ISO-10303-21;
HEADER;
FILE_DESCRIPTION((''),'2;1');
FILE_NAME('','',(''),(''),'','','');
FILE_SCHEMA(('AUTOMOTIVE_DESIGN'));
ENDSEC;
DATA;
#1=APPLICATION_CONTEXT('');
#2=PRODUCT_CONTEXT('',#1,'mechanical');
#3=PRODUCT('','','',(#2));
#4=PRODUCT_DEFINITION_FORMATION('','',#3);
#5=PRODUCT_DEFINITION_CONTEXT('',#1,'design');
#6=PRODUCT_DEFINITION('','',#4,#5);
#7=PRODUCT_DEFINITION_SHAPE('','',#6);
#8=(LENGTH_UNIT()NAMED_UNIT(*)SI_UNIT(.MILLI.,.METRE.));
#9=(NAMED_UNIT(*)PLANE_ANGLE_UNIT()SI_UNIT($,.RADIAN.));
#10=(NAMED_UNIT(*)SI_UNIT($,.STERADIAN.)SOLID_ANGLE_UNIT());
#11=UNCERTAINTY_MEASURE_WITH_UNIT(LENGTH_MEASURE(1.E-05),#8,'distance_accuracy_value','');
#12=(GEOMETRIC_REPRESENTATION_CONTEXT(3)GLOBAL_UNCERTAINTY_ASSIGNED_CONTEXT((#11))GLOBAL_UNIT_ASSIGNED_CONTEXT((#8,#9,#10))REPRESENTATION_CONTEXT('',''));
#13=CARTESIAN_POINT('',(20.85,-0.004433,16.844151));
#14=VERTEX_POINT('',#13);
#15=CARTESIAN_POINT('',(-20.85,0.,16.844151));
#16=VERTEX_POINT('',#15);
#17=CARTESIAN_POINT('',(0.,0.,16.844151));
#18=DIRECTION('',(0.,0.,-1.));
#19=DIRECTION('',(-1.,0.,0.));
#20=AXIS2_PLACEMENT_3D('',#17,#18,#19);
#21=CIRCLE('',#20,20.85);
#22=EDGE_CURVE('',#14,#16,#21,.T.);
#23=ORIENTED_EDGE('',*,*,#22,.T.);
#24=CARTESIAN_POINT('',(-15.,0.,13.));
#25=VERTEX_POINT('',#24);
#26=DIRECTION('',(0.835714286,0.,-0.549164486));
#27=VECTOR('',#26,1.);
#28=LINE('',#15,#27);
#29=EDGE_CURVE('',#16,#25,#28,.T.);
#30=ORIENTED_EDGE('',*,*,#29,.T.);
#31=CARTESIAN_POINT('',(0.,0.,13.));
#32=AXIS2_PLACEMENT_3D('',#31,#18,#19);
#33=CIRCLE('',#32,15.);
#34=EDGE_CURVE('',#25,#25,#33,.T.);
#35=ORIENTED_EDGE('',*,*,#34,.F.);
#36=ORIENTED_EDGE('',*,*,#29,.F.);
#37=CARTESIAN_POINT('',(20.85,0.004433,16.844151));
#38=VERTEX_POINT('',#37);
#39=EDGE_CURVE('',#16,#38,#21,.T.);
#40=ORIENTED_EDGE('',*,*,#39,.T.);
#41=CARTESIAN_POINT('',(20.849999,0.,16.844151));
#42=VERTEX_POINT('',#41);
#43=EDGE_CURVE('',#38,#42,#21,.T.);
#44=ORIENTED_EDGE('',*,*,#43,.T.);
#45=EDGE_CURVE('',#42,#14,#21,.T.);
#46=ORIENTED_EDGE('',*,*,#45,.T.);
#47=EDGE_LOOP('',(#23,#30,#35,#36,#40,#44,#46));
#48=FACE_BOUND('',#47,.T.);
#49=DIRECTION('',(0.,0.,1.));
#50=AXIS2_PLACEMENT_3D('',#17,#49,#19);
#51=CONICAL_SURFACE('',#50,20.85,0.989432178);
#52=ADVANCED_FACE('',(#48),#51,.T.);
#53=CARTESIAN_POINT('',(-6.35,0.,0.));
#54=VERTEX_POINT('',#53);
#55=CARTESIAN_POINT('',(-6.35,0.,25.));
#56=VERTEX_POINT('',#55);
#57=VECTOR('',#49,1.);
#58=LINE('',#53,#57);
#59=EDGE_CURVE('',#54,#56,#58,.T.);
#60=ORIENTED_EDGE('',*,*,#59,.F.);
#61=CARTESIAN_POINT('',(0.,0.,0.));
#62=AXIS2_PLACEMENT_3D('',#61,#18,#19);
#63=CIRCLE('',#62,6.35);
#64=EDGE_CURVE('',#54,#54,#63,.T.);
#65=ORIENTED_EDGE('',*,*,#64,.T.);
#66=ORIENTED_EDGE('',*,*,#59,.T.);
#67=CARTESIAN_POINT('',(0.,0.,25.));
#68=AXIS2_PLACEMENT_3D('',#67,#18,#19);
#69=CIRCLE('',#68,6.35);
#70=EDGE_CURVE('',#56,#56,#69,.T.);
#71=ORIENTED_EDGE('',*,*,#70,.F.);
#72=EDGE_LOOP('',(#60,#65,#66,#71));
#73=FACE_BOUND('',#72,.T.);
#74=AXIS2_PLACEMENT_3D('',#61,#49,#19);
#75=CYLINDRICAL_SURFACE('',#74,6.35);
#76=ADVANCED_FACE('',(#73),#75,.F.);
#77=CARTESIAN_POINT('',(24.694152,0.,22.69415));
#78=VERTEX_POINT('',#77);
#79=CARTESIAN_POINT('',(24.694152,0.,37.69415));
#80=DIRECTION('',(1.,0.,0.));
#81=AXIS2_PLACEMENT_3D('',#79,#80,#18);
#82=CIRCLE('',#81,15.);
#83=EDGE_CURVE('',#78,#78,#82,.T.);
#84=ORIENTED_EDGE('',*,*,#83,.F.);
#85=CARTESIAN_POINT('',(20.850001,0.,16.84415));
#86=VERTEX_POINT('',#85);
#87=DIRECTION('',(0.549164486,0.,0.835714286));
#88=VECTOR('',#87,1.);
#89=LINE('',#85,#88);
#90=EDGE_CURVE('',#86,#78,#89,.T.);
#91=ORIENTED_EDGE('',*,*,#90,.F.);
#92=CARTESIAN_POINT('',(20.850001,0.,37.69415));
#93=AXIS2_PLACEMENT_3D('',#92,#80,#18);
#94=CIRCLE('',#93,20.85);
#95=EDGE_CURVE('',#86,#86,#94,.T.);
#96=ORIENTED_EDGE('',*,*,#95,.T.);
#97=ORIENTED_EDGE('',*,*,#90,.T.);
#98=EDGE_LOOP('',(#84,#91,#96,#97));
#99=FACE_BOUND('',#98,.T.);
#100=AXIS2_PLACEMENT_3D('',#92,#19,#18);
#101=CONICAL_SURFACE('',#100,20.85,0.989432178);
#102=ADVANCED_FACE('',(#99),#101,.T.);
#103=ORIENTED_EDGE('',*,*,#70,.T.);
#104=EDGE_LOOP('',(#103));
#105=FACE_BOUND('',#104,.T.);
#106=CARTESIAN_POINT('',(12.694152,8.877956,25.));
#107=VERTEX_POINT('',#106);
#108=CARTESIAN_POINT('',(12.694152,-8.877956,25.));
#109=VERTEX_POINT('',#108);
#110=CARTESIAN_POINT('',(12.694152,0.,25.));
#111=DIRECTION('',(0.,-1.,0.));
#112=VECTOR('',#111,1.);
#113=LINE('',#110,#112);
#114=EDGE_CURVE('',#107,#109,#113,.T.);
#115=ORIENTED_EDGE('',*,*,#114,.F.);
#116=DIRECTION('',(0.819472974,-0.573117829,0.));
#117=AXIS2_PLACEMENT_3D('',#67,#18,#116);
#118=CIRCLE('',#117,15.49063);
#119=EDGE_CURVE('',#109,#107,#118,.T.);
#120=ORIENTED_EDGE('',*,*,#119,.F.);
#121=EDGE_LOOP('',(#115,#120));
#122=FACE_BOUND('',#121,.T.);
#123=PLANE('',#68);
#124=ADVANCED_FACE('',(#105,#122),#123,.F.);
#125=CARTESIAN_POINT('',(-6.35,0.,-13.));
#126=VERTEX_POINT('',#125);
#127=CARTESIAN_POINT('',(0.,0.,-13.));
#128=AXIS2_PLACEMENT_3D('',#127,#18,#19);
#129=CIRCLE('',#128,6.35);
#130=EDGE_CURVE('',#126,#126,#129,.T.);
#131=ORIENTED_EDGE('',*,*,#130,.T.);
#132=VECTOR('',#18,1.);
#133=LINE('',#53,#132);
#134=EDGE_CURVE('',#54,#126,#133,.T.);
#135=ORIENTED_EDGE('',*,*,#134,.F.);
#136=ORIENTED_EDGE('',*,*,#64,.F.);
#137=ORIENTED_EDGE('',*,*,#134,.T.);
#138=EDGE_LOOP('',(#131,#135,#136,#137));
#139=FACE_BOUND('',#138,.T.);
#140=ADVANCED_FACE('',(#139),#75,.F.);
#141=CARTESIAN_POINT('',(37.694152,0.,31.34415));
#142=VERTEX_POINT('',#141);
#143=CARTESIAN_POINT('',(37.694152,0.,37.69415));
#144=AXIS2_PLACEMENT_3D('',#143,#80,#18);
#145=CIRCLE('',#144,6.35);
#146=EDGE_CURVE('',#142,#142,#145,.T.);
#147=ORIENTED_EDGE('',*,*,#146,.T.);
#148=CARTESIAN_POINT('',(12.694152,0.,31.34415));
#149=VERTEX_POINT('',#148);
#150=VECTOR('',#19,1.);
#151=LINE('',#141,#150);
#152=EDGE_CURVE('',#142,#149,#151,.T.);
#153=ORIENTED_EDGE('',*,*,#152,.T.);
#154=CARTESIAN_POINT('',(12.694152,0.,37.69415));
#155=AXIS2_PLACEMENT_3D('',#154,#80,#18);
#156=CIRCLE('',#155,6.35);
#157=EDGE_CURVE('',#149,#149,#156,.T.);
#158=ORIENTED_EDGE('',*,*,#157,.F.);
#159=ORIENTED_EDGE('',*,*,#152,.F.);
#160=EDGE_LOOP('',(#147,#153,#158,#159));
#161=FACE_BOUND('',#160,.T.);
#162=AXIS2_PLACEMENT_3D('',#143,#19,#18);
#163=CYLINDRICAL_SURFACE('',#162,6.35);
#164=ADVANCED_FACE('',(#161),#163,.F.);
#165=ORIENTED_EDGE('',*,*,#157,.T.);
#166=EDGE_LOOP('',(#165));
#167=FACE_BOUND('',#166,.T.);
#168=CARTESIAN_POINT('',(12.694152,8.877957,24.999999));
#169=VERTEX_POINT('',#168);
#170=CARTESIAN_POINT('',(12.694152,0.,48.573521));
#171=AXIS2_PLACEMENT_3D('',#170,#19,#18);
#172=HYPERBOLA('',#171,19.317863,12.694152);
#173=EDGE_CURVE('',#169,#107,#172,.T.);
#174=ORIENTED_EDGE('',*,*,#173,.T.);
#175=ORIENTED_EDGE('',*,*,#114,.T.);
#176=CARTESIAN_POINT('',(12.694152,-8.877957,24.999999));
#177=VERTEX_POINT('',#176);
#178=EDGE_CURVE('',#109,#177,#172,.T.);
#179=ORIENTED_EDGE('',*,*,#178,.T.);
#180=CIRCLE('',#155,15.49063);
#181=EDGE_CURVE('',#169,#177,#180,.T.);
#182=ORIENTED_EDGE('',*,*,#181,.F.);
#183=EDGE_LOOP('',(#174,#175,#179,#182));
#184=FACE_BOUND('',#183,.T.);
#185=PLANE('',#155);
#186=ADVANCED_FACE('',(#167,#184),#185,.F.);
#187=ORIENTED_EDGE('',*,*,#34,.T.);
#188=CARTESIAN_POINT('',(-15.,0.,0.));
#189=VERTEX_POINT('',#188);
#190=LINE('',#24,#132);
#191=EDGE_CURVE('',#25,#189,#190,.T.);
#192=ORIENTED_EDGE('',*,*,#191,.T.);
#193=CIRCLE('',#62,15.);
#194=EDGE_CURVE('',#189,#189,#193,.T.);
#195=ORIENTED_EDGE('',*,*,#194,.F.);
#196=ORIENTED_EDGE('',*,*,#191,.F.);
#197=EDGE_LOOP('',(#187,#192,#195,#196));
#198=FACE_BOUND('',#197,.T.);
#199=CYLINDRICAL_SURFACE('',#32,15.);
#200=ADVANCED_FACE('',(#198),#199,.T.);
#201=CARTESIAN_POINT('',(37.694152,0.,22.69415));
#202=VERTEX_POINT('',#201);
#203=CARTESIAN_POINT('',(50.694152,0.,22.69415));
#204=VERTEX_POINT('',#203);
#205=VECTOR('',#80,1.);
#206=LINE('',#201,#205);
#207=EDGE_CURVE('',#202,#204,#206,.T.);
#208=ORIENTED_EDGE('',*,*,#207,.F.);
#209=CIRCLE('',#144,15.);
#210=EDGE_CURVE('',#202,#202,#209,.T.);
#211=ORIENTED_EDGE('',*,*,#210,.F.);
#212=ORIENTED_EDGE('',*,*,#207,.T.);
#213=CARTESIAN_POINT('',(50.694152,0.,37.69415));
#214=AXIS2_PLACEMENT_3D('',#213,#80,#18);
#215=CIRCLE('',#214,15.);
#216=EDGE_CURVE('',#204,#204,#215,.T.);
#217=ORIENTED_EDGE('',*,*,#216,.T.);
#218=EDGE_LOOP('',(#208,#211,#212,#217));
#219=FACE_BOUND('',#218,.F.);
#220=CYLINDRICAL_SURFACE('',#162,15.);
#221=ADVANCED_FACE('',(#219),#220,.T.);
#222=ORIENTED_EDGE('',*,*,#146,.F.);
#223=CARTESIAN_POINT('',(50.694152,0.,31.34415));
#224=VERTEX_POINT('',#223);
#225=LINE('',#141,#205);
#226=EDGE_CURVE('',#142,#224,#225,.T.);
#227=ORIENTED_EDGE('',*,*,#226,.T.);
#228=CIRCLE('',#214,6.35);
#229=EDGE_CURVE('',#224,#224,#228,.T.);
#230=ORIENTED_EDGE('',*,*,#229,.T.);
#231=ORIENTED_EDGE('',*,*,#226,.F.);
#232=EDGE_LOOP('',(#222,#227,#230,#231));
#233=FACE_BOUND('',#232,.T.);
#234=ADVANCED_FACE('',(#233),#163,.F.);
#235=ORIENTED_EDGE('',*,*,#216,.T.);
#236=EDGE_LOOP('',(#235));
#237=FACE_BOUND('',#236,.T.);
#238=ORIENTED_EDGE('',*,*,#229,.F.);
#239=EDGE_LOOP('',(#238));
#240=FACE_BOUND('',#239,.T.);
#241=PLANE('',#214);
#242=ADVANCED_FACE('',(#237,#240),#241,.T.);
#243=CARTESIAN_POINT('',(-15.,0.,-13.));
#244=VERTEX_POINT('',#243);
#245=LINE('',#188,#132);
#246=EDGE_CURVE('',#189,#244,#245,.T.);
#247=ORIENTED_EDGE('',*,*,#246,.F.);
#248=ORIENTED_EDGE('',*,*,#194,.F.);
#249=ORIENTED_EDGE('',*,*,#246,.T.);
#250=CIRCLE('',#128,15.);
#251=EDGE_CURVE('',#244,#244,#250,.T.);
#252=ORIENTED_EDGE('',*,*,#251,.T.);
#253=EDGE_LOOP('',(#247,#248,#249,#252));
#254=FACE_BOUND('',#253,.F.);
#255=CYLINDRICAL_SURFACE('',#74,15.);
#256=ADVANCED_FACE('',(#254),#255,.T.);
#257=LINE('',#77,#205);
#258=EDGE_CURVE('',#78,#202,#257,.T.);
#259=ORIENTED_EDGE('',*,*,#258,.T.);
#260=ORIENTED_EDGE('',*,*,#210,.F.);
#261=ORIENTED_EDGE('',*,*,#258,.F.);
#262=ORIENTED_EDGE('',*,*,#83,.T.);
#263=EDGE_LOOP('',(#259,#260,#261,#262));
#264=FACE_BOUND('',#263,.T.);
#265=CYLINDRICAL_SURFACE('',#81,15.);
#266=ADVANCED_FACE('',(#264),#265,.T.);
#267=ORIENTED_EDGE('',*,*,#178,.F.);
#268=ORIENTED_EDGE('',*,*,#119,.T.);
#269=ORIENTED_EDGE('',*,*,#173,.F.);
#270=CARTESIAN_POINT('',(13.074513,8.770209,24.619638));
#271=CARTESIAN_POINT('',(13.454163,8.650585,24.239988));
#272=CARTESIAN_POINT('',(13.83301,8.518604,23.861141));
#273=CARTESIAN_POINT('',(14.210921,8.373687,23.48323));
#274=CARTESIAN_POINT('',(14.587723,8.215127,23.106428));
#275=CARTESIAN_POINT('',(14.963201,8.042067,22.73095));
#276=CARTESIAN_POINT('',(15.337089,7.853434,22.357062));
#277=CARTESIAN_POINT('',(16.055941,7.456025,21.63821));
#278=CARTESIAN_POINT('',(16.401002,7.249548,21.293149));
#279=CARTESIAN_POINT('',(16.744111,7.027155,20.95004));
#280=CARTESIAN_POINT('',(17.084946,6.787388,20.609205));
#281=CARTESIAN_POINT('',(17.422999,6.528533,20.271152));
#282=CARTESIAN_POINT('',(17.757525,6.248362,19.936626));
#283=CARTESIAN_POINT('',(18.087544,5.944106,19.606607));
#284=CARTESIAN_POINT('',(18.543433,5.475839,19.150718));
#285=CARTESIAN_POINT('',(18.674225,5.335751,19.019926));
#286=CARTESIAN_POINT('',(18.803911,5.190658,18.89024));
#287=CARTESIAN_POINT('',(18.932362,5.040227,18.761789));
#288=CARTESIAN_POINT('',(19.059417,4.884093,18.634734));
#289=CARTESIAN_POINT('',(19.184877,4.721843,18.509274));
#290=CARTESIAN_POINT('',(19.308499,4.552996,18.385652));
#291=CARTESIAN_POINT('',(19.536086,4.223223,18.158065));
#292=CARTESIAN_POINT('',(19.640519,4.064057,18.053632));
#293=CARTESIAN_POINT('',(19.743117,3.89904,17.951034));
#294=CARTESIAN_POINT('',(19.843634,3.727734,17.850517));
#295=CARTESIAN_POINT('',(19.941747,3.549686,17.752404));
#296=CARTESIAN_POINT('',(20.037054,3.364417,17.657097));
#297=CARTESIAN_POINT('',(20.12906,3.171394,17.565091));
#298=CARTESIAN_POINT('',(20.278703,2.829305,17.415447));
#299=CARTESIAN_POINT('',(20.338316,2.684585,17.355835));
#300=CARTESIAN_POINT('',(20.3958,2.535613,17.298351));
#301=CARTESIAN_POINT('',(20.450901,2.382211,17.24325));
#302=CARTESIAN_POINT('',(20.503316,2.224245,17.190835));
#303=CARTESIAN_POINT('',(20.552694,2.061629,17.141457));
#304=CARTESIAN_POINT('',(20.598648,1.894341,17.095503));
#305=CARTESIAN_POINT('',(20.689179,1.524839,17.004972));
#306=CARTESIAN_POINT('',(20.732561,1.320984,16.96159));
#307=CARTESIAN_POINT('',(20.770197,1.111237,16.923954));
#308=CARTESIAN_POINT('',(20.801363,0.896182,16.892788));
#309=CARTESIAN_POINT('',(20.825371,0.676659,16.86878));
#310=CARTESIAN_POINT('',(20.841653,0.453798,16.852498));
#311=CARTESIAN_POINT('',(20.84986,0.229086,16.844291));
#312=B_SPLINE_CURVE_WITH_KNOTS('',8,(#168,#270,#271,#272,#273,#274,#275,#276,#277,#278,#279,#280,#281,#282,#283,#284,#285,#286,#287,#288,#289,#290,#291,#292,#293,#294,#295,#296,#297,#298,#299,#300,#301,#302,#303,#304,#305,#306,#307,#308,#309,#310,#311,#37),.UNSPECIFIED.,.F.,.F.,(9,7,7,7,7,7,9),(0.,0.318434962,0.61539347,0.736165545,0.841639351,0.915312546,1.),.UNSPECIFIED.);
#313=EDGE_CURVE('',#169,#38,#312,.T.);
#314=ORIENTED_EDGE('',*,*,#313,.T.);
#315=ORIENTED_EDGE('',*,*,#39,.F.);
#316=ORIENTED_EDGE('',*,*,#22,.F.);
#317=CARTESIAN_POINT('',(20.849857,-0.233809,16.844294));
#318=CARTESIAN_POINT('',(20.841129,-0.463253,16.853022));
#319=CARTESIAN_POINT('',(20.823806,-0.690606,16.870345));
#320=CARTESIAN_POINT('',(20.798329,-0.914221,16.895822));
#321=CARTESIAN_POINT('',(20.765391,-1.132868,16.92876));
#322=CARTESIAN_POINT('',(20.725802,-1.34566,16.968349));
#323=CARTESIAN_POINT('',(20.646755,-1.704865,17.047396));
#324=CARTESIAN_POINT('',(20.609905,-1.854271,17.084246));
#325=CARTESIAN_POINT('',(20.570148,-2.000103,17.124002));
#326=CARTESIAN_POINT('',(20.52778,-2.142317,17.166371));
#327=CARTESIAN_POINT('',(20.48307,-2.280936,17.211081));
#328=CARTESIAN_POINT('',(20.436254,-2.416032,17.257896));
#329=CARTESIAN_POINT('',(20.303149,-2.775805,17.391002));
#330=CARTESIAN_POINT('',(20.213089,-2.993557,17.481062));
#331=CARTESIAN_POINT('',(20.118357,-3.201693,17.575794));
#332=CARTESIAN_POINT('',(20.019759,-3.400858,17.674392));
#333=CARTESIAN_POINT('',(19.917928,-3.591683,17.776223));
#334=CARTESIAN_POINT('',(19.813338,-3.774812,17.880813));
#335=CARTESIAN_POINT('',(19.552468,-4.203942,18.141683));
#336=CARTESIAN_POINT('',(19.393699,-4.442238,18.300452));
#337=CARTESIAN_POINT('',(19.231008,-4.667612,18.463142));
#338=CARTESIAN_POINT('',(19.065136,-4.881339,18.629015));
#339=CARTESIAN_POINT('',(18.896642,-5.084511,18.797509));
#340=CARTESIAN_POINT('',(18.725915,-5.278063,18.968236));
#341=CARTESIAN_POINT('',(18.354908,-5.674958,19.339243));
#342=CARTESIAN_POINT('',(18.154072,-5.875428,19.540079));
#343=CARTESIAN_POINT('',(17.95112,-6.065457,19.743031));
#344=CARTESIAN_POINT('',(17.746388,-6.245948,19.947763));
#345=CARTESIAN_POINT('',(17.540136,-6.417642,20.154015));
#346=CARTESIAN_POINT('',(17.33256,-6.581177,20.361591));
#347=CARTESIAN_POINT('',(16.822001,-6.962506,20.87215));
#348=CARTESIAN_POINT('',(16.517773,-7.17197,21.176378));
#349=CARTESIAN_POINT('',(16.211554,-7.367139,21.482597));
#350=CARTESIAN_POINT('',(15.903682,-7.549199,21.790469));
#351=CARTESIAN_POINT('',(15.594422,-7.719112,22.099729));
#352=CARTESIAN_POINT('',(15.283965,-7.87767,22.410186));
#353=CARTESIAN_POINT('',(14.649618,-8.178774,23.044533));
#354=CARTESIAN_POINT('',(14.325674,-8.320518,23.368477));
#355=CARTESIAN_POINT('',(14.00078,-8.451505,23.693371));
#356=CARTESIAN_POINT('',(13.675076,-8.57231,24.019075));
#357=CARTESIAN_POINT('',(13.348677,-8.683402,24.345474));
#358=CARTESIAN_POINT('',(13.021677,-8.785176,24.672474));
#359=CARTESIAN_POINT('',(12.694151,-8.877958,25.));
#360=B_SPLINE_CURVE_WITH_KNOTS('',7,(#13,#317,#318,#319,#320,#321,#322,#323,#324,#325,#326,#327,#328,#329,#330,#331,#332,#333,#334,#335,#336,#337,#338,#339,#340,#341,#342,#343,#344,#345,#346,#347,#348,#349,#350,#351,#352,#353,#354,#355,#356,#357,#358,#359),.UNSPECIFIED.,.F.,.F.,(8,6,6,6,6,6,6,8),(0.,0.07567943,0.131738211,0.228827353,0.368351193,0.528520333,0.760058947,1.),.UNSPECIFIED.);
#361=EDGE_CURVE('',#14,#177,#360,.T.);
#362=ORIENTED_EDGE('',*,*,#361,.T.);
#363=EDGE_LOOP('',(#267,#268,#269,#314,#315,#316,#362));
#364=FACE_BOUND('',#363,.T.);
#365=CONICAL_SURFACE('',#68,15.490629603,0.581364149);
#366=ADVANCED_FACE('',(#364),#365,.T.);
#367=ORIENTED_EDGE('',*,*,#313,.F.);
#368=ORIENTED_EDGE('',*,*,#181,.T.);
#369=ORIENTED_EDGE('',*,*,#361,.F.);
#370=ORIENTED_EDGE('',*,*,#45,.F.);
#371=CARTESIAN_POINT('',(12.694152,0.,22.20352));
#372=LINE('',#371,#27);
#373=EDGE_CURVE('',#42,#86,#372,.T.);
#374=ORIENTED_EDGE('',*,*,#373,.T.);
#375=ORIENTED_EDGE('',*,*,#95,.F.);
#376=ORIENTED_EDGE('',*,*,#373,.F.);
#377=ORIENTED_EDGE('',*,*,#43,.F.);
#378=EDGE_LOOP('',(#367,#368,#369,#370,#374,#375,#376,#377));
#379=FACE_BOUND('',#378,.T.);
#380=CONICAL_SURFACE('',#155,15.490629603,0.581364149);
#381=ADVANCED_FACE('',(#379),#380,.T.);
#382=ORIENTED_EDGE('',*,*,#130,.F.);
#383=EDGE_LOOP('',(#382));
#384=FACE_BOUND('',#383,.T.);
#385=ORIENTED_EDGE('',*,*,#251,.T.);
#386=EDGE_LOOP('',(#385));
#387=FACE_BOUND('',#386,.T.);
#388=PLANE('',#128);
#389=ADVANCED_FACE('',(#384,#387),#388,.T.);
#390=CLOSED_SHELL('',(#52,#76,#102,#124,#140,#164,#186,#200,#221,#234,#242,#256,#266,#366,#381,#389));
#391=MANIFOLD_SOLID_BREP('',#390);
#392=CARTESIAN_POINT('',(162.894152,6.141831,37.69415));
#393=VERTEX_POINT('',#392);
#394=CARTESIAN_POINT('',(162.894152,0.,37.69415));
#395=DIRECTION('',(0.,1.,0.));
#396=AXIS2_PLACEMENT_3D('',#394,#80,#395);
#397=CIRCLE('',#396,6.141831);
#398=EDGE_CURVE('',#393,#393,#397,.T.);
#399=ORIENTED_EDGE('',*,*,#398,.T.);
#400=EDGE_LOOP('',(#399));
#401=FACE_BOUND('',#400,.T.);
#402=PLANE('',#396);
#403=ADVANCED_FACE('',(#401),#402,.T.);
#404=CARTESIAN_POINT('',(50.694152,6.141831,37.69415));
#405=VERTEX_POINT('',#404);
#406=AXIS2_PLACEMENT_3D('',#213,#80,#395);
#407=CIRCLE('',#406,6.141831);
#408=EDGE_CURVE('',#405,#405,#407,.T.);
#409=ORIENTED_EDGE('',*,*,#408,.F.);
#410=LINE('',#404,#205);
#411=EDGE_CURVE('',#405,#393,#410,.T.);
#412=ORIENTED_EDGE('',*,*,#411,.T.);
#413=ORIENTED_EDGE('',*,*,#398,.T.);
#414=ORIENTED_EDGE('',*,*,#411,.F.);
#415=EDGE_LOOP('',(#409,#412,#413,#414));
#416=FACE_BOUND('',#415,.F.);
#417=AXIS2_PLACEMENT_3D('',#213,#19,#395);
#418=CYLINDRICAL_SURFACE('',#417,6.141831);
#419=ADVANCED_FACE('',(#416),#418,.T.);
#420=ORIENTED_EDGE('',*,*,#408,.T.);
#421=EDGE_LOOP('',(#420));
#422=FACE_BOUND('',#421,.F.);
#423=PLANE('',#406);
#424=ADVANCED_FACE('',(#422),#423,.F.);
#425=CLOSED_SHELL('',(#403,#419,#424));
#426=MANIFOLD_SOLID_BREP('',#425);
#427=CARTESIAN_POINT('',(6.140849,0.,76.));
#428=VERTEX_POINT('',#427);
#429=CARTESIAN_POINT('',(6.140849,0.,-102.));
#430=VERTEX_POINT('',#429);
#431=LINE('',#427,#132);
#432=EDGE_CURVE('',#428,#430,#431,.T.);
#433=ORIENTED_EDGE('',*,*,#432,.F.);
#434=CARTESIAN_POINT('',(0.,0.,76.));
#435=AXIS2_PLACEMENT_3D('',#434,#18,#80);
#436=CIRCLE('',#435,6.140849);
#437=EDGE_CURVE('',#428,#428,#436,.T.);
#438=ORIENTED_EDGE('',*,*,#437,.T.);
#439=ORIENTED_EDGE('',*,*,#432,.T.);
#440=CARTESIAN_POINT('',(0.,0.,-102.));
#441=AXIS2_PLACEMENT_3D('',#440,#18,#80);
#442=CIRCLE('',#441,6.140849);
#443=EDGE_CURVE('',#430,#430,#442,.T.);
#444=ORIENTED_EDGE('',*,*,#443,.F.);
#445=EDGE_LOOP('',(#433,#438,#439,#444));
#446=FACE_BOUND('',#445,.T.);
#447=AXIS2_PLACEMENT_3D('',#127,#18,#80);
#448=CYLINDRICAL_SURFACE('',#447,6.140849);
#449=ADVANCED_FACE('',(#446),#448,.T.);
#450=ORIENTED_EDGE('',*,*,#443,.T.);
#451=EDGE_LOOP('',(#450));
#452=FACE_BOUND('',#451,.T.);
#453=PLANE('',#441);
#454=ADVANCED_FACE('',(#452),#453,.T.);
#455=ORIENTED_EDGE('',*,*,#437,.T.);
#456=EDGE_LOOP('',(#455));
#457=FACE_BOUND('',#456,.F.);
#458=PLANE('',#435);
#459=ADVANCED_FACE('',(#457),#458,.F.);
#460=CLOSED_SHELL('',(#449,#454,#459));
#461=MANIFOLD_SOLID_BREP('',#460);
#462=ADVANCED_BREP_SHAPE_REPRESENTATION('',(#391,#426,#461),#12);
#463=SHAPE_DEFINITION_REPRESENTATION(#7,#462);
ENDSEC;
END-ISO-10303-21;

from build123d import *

# Parameters (mm, degrees)
F3_DEPTH = 13
F4_DEPTH = 13
F5_R     = 6.140848801
F6_DEPTH = 89
F7_R     = 6.1418307563
F8_DEPTH = 112.2


with BuildPart() as f1:
    # F0 (on Front) → F1 (revolve)
    with BuildSketch(Plane.XZ):
        Polygon((-15, 0), (-6.35, 0), (-6.35, 25), (-15.4906296031, 25), (-20.85, 16.8441514018), (-15, 13), align=None)
    revolve(axis=Axis((0, 0, 19.2943754885), (0, 0, -1)))

    # F0 (on Front) → F2 (revolve)
    with BuildSketch(Plane.XZ):
        Polygon((37.6941523048, 22.6941500276), (37.6941523048, 31.3441500276), (12.6941523048, 31.3441500276), (12.6941523048, 22.2035204245), (20.850000903, 16.8441500276), (24.6941523048, 22.6941500276), align=None)
    revolve(axis=Axis((18.3997768163, 0, 37.6941500276), (1, 0, 0)))

    # F3 (add): a face of the model
    f3_faces = [f1.faces().sort_by_distance(p)[0] for p in [
        (37.6941523048, 0, 52.2698859589),
    ]]
    extrude(f3_faces, amount=F3_DEPTH)

    # F4 (add): a face of the model
    f4_faces = [f1.faces().sort_by_distance(p)[0] for p in [
        (14.5757359313, 0, 0),
    ]]
    extrude(f4_faces, amount=F4_DEPTH)


with BuildPart() as f6:
    # F5 (on face) → F6 (new body, symmetric)
    with BuildSketch(Plane(origin=(0, 0, -13), x_dir=(1, 0, 0), z_dir=(0, 0, -1))):
        Circle(F5_R)
    extrude(amount=F6_DEPTH, both=True)


with BuildPart() as f8:
    # F7 (on face) → F8 (new body)
    with BuildSketch(Plane.YZ.offset(50.6941523048)):
        with Locations((0, 37.6941500276)):
            Circle(F7_R)
    extrude(amount=F8_DEPTH)


solid = Compound([f1.part, f6.part, f8.part])
